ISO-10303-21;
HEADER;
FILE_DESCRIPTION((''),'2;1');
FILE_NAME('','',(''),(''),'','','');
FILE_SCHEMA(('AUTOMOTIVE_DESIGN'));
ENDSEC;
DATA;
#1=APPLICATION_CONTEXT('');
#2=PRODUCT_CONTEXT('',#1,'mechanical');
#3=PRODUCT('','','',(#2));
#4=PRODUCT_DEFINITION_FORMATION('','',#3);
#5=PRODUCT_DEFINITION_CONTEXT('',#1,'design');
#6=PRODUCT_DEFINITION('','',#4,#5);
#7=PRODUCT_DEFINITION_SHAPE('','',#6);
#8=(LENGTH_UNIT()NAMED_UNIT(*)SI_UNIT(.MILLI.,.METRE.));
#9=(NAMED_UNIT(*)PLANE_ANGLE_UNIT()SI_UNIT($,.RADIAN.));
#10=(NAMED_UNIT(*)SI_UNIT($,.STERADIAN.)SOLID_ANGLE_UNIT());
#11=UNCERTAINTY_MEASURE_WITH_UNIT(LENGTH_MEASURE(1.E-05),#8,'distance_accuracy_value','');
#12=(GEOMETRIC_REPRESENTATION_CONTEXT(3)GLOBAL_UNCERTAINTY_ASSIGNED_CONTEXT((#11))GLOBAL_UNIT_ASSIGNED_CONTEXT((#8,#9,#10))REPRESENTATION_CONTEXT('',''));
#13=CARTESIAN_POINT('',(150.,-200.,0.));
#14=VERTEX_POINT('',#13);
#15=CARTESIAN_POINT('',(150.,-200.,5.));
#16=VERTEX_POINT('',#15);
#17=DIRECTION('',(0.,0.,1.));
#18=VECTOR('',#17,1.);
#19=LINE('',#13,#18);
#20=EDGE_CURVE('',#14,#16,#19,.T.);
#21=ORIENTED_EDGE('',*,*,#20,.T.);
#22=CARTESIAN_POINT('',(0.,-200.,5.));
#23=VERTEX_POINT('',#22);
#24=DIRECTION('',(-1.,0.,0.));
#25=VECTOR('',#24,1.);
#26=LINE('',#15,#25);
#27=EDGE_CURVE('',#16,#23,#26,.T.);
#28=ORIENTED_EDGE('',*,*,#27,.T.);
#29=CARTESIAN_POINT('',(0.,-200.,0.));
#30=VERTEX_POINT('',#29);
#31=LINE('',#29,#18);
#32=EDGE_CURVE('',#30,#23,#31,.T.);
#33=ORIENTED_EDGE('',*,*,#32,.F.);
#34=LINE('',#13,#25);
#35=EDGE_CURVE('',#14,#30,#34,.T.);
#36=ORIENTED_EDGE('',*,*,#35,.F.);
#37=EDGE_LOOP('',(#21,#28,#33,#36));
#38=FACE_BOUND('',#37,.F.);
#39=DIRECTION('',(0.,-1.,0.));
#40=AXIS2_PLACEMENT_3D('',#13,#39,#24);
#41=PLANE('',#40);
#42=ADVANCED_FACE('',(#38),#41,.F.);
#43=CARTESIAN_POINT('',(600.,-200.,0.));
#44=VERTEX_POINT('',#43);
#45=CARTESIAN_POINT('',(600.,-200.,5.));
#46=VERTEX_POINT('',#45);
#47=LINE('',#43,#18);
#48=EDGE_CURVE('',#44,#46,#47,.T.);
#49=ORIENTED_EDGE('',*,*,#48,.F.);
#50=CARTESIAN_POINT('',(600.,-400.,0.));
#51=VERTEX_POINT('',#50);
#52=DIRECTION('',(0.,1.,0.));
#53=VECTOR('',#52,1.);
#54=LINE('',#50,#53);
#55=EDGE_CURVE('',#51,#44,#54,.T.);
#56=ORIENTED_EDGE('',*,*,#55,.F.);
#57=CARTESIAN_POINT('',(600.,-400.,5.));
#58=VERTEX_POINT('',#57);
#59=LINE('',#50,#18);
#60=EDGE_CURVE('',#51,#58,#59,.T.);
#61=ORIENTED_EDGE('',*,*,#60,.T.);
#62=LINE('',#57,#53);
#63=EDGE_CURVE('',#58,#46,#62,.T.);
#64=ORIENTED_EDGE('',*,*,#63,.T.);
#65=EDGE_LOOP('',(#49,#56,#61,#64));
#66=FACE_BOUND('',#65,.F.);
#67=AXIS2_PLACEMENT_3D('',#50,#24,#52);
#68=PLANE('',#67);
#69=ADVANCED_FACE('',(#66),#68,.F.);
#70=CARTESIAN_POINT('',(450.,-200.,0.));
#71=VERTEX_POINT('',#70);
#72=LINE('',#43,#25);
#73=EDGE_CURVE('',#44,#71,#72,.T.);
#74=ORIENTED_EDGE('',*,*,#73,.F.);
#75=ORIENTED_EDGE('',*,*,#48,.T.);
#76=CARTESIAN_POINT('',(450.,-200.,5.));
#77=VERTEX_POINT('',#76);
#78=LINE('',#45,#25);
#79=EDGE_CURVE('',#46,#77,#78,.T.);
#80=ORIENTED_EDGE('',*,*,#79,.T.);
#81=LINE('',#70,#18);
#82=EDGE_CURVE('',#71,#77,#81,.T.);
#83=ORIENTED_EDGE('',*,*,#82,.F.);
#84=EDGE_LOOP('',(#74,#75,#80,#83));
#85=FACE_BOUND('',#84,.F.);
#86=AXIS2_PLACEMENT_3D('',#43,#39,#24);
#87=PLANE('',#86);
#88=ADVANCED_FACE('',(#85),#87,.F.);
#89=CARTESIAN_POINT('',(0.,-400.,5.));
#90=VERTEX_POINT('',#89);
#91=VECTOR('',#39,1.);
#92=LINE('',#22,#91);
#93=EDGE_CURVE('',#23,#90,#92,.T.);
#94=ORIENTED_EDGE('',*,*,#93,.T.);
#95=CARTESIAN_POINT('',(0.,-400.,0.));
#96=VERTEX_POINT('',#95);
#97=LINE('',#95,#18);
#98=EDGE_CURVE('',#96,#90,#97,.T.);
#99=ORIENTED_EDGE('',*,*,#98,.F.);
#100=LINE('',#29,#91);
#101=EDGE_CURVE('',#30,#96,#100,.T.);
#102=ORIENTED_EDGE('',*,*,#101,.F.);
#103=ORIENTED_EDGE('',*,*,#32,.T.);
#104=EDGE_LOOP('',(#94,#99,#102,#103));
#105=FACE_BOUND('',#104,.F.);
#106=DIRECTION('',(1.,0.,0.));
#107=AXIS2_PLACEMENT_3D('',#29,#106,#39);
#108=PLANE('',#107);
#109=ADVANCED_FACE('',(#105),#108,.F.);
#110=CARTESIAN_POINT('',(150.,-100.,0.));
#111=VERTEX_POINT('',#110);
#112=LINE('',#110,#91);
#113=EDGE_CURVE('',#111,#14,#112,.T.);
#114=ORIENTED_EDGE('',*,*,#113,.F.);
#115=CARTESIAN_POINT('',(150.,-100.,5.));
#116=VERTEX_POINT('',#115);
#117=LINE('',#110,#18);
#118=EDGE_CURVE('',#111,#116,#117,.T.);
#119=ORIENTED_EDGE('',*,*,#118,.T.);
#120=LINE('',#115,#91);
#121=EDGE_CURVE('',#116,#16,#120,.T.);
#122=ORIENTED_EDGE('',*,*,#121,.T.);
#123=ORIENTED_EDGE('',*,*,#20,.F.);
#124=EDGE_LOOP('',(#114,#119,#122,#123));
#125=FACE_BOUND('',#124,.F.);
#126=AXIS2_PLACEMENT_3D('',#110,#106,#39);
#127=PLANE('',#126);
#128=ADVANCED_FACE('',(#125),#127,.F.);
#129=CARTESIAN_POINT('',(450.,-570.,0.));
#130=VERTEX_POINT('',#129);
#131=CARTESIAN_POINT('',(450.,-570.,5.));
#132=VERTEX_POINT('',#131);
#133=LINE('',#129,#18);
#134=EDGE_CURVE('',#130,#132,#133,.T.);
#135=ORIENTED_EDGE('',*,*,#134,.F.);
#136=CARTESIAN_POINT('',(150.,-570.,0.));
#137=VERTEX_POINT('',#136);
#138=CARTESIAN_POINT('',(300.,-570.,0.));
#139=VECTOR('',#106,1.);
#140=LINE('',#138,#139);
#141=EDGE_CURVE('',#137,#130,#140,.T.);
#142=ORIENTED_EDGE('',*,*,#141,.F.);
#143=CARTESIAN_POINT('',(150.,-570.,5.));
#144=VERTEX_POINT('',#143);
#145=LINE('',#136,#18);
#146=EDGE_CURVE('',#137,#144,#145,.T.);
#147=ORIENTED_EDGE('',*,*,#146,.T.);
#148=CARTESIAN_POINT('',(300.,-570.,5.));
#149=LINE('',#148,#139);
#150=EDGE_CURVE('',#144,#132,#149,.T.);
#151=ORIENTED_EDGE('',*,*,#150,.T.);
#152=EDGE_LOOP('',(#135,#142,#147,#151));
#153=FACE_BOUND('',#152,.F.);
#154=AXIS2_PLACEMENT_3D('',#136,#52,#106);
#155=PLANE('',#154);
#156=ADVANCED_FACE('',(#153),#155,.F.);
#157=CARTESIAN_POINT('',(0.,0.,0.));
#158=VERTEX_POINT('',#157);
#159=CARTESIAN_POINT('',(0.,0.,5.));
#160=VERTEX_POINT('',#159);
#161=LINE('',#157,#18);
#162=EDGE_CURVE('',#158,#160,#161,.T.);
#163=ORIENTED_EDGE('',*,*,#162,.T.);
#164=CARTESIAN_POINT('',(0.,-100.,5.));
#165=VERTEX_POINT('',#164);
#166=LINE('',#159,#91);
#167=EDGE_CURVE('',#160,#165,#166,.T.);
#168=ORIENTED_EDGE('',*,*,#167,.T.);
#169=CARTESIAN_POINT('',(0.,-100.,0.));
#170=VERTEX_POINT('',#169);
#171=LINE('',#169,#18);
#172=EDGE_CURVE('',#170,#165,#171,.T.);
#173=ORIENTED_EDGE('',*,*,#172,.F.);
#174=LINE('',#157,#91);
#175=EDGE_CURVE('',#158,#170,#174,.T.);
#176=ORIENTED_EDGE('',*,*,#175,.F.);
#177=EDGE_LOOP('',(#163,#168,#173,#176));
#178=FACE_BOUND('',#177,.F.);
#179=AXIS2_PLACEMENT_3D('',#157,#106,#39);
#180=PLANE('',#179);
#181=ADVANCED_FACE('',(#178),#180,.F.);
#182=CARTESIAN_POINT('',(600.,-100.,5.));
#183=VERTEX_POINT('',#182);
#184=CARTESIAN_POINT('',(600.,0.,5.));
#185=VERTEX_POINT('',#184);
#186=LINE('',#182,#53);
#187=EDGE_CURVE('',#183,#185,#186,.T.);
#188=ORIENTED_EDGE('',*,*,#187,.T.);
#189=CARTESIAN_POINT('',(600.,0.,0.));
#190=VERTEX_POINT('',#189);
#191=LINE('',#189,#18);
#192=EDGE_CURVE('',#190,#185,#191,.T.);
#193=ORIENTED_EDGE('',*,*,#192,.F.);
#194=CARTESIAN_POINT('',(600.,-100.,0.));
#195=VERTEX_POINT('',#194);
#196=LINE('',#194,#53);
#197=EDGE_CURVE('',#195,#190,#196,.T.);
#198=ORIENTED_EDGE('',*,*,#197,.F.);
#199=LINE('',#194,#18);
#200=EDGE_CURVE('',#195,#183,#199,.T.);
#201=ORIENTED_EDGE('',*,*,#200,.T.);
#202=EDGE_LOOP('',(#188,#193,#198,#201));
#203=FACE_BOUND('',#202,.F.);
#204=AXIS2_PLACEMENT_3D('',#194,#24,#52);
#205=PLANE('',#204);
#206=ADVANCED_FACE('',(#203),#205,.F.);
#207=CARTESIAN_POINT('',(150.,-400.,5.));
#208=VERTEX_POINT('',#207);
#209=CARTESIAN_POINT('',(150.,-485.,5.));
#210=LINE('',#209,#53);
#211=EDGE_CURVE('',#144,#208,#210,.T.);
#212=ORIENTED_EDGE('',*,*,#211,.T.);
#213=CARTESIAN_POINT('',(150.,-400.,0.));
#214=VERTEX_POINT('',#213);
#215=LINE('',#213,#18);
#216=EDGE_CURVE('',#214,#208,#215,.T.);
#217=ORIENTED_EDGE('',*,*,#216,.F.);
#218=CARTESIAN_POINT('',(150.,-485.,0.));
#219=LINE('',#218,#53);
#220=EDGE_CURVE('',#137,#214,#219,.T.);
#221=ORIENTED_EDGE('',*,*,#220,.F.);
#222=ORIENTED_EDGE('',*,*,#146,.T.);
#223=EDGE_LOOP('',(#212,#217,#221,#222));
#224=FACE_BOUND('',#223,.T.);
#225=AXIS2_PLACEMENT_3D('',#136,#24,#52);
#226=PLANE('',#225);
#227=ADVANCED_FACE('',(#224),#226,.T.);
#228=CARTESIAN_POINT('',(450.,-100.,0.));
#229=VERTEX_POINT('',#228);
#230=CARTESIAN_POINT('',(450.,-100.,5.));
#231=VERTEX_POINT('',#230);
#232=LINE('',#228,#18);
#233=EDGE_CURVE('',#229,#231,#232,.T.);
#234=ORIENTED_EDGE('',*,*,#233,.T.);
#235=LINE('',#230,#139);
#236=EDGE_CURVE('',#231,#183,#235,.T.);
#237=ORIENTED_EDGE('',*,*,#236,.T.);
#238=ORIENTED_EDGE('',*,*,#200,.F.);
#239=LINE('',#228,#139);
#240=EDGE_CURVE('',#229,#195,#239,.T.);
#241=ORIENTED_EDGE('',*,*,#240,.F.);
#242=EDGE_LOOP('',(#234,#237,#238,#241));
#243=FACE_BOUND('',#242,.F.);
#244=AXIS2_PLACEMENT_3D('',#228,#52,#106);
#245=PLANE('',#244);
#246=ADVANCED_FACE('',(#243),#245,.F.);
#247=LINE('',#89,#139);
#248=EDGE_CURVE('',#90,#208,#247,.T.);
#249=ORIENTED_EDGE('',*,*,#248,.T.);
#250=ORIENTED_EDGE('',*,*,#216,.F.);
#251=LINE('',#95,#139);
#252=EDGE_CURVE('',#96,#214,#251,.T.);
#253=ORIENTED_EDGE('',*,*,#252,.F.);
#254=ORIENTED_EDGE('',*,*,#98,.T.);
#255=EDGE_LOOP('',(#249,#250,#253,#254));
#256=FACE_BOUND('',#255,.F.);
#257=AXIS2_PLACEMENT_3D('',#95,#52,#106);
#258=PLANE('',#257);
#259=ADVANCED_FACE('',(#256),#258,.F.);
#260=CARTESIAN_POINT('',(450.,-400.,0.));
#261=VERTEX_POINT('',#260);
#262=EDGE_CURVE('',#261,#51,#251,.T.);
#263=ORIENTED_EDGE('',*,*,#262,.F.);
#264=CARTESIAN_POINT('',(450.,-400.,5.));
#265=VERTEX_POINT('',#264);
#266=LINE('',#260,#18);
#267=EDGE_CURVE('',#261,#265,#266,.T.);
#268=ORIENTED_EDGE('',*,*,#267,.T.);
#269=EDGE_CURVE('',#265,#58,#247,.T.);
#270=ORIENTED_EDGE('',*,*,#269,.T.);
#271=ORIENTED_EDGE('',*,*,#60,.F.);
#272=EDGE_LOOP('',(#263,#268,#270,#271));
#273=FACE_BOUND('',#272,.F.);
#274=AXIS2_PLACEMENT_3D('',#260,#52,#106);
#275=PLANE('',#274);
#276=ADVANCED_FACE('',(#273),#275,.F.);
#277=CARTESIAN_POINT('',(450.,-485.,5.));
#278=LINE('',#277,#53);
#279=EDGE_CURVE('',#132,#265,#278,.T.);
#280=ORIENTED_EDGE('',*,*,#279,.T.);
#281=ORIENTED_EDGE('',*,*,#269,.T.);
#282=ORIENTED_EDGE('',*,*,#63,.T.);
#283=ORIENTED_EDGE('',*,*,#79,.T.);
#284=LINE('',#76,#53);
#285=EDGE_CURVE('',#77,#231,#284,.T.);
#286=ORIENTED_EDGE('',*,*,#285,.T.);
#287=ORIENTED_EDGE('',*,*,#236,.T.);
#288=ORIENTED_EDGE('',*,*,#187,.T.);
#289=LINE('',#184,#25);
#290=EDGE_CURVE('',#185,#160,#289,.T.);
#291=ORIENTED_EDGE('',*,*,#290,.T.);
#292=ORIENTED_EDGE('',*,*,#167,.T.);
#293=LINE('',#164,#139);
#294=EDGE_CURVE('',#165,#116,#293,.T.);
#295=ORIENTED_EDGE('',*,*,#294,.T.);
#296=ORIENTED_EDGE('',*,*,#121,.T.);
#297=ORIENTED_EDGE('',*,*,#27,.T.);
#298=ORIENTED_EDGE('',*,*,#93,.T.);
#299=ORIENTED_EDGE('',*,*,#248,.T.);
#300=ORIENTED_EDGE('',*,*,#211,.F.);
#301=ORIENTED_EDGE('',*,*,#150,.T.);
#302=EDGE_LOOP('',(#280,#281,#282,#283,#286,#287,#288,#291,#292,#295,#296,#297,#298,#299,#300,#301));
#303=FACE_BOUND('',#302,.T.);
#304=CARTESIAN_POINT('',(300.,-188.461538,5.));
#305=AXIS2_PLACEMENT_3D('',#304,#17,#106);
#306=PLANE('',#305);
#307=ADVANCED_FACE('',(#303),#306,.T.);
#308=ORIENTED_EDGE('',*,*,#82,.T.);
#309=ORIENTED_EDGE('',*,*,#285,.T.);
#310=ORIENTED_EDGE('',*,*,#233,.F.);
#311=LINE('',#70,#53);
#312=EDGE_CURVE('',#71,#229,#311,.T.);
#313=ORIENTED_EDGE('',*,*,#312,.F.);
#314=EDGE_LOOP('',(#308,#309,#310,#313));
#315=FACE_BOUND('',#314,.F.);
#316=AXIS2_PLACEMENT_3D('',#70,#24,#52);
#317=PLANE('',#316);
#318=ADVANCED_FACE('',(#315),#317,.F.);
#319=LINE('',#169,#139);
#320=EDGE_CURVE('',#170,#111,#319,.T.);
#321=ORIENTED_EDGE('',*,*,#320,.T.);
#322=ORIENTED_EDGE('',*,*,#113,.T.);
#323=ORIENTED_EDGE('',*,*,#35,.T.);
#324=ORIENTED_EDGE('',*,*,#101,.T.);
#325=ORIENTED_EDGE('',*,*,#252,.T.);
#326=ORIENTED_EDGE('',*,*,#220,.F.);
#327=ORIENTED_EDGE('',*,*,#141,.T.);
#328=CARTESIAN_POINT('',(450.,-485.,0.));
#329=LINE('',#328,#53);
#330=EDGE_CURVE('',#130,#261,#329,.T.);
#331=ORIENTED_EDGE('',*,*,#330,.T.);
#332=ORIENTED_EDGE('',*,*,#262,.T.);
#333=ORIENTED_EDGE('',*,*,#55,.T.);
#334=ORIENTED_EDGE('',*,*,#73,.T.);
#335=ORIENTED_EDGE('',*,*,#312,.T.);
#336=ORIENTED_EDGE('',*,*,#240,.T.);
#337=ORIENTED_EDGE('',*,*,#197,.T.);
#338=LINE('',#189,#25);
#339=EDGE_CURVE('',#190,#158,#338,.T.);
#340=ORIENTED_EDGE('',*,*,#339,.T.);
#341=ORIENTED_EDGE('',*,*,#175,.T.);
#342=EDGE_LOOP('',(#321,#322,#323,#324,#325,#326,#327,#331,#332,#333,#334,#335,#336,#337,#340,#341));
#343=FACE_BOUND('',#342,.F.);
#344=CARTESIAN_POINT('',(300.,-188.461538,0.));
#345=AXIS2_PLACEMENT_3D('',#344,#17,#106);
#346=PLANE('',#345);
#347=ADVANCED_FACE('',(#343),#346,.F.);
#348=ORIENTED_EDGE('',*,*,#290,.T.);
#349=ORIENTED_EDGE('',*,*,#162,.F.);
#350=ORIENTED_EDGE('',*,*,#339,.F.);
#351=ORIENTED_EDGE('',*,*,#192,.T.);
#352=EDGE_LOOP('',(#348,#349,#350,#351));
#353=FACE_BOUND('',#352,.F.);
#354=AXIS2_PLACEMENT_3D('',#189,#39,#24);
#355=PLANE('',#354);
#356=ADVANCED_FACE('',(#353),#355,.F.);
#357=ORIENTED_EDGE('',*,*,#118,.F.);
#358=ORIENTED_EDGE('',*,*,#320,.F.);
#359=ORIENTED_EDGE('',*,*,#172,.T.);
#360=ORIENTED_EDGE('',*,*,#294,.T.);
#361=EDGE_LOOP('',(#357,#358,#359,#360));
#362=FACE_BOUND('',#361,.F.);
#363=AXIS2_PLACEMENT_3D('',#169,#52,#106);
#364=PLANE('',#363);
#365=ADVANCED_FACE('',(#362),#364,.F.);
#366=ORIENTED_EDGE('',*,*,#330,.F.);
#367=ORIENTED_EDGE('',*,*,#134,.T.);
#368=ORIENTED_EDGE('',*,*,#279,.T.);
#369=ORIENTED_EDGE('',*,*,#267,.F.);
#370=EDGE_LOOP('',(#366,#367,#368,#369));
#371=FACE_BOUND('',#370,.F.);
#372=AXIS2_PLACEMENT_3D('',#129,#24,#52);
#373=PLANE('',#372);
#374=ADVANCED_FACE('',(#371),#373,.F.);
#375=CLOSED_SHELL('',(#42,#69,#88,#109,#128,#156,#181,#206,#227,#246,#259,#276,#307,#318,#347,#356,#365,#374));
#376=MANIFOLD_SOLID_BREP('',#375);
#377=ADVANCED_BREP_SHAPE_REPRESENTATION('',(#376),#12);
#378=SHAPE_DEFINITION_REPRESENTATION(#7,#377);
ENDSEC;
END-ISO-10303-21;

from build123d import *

# Parameters (mm, degrees)
F0_W     = 300
F0_H     = 170
F1_DEPTH = 5


with BuildPart() as f1:
    # F0 (on Top) → F1 (new body)
    with BuildSketch(Plane.XY):
        Polygon((600, 0), (0, 0), (0, -100), (150, -100), (150, -200), (0, -200), (0, -400), (150, -400), (450, -400), (600, -400), (600, -200), (450, -200), (450, -100), (600, -100), align=None)
        with Locations((300, -485)):
            Rectangle(F0_W, F0_H)
    extrude(amount=F1_DEPTH)


solid = f1.part
